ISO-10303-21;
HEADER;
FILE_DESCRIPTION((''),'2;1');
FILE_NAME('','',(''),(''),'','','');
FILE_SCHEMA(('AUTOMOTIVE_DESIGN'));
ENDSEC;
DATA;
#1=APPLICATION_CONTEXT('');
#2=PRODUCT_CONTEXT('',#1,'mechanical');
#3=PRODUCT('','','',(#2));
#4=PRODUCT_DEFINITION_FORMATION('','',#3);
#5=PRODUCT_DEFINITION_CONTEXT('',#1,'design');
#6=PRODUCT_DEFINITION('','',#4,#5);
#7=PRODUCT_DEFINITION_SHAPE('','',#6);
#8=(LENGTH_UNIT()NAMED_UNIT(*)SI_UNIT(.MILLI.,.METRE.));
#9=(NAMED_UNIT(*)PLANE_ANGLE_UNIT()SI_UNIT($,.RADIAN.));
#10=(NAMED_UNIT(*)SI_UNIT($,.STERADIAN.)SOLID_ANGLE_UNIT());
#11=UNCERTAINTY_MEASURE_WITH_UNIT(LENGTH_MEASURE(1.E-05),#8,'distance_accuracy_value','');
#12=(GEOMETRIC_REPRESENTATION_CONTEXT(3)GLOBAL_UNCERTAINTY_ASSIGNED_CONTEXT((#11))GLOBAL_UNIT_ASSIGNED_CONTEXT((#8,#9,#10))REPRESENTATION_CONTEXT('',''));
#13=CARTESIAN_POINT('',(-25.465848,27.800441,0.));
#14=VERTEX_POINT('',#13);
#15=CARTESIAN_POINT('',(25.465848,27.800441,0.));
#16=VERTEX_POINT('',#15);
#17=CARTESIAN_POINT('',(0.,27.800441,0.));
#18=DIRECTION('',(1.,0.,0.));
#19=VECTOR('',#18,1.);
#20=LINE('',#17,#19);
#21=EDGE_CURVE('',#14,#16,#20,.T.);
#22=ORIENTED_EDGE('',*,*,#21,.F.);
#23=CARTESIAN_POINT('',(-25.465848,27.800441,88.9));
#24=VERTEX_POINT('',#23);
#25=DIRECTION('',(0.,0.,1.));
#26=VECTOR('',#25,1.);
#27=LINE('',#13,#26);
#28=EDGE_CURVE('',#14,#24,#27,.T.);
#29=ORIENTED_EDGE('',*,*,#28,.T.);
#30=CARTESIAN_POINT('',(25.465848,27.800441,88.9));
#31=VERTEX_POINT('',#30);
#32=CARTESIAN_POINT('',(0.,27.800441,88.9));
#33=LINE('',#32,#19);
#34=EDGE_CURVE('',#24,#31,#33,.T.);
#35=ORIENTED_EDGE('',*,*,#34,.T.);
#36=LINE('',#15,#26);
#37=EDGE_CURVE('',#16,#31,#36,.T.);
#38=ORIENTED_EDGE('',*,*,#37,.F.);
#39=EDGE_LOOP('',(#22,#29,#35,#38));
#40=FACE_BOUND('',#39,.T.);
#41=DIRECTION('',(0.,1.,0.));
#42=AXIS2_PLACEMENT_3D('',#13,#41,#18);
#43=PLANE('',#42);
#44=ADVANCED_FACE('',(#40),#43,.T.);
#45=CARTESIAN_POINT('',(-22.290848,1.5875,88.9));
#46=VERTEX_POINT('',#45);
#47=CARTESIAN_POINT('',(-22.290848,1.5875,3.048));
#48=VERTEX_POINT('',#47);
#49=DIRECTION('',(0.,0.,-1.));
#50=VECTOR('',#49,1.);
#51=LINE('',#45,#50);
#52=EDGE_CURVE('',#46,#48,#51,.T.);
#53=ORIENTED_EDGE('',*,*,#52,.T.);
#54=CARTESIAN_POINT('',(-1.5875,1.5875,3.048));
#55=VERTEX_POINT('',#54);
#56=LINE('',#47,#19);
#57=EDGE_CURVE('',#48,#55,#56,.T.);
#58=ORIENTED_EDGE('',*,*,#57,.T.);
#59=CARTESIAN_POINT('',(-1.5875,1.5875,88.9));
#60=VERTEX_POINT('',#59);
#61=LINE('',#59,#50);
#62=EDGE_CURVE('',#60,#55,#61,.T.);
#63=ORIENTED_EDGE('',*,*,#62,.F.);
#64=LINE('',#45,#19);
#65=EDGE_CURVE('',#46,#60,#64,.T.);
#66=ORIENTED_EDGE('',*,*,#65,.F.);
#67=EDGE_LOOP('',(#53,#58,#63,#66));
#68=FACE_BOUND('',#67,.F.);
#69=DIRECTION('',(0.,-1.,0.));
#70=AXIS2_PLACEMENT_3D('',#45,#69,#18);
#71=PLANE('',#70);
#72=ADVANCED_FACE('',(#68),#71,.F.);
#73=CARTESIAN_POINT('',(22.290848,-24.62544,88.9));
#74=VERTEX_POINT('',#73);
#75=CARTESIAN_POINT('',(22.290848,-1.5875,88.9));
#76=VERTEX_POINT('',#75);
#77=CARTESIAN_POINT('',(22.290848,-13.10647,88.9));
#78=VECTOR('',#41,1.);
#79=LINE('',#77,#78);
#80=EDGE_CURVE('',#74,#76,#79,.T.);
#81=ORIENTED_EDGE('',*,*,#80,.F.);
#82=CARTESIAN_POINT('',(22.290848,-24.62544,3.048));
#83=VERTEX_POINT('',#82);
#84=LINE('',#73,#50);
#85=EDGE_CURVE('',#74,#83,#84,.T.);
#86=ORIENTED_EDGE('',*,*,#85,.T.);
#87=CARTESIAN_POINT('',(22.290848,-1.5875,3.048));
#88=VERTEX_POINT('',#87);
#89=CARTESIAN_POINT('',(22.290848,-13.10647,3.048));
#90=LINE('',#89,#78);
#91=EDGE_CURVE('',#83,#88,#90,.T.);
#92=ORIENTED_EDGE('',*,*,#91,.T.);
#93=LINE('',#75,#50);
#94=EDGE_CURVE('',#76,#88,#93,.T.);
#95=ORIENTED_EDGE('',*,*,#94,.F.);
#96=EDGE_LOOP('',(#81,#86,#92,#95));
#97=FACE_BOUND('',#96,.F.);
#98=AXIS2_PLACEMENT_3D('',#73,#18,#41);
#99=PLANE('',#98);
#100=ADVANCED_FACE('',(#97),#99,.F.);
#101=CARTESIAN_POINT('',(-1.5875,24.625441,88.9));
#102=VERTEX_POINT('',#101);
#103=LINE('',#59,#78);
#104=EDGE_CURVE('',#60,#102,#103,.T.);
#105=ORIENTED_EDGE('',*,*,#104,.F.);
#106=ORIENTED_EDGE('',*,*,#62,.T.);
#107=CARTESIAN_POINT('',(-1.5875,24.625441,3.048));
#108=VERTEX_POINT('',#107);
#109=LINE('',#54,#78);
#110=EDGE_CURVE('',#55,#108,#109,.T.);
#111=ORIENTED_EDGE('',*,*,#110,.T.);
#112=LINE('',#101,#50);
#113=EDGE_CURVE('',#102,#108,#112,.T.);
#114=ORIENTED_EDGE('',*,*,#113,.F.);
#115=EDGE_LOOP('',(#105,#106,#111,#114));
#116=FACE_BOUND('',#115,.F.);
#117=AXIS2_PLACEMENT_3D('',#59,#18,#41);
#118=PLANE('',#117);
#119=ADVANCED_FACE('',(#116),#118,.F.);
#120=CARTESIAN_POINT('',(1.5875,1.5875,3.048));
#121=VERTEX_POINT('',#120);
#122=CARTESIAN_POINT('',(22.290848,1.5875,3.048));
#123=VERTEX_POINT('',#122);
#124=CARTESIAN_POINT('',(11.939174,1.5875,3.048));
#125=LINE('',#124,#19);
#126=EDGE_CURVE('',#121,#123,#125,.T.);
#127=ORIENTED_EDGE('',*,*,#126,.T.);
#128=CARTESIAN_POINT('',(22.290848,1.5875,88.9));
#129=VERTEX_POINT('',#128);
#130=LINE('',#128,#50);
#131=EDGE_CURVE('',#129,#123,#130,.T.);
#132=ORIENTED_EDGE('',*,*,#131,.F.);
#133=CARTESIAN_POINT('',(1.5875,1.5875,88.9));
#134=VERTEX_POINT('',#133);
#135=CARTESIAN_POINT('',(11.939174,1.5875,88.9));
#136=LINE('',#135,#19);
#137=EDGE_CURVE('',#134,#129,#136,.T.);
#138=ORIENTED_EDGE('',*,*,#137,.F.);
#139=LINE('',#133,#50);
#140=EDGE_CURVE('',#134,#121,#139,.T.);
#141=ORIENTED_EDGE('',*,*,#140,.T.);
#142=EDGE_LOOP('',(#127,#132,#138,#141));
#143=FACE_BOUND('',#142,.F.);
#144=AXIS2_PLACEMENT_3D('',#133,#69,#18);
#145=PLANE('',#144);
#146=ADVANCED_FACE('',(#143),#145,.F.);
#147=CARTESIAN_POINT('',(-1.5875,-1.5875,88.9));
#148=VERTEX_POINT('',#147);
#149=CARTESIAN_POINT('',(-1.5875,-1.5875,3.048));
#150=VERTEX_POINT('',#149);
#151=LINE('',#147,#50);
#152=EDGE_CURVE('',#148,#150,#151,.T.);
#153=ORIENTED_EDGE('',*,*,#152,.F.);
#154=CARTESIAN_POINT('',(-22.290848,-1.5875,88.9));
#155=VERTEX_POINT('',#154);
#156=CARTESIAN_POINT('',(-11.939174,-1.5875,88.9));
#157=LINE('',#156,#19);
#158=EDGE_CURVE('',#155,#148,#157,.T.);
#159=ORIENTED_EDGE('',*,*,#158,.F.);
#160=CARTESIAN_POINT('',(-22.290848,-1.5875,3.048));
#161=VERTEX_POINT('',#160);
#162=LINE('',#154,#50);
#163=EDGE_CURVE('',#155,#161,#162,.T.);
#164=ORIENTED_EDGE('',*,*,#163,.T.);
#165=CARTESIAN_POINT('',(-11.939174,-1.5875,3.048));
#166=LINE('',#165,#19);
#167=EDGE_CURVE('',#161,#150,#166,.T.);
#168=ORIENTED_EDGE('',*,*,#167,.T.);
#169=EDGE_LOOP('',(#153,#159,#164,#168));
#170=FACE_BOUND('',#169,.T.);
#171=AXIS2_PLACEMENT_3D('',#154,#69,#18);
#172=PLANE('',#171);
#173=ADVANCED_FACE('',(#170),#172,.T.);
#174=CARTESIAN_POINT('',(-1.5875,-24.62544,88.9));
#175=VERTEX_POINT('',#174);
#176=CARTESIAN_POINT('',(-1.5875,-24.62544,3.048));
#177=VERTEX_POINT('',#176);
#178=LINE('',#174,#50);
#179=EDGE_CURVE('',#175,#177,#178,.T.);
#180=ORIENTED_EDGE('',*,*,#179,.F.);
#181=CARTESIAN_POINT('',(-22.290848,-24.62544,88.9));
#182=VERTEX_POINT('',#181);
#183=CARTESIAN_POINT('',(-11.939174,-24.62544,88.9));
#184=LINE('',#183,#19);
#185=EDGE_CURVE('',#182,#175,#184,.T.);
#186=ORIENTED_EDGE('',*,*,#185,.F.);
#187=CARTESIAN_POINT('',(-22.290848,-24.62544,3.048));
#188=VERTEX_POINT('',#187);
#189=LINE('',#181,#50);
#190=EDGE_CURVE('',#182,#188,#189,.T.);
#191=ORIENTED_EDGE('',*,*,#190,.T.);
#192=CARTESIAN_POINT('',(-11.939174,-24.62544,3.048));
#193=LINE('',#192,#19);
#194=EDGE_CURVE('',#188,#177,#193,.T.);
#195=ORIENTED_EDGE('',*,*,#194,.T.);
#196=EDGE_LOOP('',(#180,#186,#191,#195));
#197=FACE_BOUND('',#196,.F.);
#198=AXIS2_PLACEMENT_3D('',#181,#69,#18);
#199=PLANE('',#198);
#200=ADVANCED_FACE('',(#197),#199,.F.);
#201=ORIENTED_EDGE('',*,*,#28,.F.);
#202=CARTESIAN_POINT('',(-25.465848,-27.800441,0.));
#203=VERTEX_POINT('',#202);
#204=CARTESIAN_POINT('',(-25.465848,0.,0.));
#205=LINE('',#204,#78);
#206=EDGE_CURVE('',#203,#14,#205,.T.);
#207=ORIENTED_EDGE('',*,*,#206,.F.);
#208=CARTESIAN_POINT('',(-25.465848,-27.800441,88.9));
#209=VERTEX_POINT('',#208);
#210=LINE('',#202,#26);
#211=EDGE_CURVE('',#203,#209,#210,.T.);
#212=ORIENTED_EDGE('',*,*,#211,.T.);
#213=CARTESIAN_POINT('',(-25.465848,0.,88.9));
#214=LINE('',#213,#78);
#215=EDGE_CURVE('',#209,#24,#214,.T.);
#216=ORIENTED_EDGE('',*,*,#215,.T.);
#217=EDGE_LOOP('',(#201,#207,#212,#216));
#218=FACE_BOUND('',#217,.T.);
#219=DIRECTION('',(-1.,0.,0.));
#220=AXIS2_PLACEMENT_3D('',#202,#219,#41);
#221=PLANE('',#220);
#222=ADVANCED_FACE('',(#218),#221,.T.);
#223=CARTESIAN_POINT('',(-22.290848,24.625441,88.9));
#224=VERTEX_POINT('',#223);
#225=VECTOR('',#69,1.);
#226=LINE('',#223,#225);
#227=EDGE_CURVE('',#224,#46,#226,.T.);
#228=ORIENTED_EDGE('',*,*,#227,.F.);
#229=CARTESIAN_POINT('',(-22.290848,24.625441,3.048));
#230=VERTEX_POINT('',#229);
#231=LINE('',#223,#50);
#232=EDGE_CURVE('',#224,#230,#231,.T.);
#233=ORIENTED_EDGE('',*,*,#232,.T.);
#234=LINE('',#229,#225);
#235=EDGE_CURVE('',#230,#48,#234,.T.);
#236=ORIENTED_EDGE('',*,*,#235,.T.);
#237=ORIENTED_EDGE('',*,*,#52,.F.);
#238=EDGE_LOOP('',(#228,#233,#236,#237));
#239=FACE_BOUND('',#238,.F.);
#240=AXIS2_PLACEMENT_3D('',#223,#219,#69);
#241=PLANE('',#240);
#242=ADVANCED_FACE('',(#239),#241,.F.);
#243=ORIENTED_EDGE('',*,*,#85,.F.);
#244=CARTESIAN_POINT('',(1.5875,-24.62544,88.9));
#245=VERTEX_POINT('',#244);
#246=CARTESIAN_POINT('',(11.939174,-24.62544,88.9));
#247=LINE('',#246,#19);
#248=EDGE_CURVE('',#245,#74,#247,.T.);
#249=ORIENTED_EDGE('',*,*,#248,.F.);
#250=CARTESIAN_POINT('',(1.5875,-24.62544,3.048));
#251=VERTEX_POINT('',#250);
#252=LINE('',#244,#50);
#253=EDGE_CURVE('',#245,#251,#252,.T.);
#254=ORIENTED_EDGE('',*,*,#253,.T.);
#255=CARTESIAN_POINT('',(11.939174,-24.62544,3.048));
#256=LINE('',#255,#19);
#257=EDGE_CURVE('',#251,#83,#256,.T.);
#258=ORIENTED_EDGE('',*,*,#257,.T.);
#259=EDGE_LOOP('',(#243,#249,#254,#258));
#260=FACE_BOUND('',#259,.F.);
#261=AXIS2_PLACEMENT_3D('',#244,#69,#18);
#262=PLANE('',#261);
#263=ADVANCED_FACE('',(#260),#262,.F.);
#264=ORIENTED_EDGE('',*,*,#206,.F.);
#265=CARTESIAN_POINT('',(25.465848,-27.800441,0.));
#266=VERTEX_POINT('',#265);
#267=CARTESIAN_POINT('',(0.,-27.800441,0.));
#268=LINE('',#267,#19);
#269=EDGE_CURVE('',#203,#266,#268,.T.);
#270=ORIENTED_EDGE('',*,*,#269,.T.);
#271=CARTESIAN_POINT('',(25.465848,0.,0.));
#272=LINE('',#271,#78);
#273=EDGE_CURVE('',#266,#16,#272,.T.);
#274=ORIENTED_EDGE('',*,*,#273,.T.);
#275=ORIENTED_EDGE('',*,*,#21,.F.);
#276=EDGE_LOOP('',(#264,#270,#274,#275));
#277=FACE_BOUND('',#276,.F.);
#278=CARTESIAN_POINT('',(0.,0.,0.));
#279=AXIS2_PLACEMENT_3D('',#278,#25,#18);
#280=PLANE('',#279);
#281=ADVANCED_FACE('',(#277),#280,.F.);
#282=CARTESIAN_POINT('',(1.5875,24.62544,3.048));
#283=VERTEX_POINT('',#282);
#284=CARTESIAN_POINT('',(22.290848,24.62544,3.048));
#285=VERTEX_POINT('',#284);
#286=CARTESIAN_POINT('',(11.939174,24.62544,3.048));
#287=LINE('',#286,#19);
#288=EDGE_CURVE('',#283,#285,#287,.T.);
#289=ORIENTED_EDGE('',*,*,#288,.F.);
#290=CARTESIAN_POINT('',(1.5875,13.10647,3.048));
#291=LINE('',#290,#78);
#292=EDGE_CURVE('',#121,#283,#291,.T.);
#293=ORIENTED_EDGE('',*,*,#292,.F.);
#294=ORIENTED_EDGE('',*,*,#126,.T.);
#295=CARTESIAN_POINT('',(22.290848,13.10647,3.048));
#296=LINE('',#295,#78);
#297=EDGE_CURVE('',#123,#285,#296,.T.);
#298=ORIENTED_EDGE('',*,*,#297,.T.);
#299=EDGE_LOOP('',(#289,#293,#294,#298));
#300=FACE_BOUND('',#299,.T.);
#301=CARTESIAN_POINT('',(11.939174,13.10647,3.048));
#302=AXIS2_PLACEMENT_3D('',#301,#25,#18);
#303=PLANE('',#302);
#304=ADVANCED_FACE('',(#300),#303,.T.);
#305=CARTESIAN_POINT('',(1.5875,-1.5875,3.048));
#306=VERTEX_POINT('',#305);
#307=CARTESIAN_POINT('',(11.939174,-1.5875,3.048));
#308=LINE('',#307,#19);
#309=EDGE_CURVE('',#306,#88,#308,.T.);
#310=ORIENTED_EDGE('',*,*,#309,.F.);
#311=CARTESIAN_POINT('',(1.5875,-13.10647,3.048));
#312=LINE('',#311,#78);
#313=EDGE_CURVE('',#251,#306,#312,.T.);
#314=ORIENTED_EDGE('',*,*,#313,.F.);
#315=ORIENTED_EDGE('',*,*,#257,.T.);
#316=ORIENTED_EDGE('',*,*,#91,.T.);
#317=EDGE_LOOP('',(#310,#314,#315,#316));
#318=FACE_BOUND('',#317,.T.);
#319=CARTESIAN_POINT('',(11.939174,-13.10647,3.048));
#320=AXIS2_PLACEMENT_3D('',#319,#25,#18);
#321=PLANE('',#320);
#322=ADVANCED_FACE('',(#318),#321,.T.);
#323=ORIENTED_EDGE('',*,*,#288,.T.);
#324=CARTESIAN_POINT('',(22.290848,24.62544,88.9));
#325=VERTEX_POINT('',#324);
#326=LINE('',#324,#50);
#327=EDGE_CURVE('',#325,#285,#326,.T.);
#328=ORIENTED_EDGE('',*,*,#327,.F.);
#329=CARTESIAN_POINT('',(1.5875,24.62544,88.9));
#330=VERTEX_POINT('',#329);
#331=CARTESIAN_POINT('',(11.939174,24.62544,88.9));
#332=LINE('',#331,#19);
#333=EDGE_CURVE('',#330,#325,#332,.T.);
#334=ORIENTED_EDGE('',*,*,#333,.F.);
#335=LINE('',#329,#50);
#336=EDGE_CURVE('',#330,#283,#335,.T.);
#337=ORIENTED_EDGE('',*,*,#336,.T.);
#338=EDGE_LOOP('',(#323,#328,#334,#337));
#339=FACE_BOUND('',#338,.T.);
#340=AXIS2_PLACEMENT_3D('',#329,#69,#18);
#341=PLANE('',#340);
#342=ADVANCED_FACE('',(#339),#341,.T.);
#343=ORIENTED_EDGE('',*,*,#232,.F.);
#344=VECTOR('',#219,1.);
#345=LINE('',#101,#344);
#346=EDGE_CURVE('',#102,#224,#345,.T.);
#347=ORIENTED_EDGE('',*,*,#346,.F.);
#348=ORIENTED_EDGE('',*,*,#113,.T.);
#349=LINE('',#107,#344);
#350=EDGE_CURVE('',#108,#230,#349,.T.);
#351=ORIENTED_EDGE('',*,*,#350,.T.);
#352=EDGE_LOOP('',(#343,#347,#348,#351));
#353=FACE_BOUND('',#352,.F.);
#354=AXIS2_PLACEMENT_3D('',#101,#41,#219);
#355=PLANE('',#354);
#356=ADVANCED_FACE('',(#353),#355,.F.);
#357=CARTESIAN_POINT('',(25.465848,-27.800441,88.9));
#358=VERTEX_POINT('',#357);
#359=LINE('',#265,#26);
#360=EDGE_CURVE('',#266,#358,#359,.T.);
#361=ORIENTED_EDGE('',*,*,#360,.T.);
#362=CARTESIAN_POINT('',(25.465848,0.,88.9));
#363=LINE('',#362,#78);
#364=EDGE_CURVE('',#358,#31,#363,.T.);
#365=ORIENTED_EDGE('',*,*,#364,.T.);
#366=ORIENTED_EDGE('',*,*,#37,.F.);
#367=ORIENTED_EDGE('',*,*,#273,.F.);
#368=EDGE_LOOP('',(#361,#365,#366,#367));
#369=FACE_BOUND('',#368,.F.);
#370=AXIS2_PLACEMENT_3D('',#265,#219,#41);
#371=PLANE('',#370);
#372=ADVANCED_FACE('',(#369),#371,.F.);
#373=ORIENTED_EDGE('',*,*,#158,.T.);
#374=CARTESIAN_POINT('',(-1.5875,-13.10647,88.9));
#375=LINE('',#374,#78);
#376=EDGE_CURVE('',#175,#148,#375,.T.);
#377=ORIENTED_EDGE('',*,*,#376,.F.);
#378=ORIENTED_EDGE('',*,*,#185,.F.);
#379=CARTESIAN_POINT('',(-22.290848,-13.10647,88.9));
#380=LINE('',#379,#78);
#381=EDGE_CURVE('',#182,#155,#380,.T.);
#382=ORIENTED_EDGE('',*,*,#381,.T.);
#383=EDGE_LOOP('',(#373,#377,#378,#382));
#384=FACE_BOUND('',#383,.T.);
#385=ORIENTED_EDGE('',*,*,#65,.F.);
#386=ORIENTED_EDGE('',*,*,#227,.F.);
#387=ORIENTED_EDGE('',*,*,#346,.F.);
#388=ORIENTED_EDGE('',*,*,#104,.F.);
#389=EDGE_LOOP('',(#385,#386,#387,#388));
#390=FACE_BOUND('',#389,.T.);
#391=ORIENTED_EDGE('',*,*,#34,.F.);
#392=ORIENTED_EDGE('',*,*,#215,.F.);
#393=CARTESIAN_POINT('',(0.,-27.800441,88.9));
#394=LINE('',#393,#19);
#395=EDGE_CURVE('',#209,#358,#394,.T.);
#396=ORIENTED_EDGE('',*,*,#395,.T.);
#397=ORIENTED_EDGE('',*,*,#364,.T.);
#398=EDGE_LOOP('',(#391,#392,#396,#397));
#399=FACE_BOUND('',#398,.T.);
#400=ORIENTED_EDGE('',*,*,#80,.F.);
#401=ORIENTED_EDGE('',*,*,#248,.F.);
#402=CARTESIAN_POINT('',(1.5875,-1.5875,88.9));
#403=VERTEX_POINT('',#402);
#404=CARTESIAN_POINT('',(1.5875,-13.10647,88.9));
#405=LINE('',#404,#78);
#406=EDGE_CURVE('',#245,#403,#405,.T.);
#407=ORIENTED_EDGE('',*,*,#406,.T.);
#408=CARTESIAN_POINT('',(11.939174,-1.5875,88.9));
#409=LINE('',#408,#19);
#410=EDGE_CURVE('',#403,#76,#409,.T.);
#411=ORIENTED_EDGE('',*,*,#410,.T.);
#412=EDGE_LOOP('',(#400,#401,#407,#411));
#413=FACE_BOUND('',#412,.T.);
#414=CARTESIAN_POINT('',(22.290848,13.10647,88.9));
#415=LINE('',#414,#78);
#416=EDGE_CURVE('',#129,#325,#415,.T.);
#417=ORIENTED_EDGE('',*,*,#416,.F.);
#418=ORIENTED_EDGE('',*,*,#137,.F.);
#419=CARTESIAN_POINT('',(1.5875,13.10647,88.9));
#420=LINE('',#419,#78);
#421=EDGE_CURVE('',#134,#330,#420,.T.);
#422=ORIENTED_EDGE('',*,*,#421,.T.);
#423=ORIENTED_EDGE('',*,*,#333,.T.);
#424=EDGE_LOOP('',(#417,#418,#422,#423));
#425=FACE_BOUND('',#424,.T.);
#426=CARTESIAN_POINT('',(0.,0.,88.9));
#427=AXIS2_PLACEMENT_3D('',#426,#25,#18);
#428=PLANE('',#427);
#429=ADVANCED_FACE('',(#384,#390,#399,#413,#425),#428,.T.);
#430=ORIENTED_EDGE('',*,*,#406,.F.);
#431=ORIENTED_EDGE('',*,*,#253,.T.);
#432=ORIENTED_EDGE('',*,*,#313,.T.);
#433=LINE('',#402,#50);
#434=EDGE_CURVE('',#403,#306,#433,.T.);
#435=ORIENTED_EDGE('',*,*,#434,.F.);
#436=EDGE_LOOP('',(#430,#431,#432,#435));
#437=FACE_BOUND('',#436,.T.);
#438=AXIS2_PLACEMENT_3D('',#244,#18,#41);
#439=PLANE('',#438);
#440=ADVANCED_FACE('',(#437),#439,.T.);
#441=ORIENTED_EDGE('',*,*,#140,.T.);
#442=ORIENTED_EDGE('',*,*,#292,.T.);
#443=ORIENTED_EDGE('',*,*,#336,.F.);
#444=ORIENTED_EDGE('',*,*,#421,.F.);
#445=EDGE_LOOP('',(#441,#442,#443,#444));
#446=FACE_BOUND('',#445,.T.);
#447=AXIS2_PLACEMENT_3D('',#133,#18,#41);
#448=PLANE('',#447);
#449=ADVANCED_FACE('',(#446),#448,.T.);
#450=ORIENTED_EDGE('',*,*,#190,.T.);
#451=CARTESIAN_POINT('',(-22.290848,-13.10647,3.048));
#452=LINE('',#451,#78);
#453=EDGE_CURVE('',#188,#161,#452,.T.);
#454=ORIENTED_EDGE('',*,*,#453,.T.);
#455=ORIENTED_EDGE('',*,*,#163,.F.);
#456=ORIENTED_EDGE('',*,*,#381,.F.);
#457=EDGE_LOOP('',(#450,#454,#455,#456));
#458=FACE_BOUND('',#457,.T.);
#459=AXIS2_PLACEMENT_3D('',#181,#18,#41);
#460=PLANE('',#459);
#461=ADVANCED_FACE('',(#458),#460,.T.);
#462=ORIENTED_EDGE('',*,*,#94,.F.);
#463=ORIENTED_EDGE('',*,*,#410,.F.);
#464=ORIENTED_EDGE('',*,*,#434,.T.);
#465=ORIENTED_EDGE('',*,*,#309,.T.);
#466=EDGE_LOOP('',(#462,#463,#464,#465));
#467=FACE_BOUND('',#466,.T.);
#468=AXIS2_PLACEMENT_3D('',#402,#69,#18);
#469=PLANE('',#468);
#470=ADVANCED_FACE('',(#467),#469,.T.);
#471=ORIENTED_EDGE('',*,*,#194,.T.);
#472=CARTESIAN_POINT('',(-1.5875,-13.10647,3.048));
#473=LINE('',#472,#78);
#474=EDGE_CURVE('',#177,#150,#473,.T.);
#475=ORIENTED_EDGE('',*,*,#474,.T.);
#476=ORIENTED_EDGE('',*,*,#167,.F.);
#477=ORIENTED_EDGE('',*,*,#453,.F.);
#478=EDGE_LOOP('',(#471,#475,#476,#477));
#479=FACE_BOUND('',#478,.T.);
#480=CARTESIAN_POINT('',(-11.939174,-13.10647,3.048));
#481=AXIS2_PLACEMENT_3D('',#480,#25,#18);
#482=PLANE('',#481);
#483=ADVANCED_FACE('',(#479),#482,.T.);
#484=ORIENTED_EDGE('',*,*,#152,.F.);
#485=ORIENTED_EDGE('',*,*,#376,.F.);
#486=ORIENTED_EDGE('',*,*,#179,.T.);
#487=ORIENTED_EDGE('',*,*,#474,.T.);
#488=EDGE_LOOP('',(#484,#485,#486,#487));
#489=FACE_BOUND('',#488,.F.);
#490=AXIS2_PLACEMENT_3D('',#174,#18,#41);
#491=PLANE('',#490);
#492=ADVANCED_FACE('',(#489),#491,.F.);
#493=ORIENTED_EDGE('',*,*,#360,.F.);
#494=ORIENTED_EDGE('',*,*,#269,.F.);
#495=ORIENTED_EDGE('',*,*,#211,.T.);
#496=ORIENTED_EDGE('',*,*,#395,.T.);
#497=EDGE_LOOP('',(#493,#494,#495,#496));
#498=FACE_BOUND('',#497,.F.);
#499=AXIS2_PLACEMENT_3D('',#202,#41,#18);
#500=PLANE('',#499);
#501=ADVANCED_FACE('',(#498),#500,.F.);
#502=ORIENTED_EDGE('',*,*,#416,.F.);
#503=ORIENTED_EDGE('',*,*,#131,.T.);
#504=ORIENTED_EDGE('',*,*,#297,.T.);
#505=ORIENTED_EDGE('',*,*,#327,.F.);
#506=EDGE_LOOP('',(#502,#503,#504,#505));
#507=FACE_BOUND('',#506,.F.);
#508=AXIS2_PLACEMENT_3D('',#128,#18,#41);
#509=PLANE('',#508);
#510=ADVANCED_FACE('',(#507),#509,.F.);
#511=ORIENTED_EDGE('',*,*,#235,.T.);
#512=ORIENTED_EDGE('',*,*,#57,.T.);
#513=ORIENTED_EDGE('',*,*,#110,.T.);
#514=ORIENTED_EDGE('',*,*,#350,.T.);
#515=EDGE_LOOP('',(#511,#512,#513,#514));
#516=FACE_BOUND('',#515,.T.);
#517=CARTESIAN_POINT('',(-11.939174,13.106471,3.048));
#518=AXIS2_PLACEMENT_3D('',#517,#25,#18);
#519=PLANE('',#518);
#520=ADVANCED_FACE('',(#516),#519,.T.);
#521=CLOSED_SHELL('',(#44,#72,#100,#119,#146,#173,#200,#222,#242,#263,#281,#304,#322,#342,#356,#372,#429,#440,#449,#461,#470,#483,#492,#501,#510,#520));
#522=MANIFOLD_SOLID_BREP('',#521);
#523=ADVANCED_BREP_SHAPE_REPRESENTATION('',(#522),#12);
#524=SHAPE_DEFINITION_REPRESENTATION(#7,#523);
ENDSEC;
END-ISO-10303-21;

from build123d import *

# Parameters (mm, degrees)
F0_W     = 50.931696
F0_H     = 55.600882
F1_DEPTH = 88.9
F2_W     = 20.703348
F2_H     = 23.037941
F3_DEPTH = 85.852


with BuildPart() as f1:
    # F0 (on Top) → F1 (new body)
    with BuildSketch(Plane.XY):
        Rectangle(F0_W, F0_H)
    extrude(amount=F1_DEPTH)

    # F2 (on face) → F3 (cut)
    with BuildSketch(Plane.XY.offset(88.9)):
        Polygon((-22.290848, 23.611975), (-22.290848, 1.5875), (-1.5875, 1.5875), (-1.5875, 24.625441), (-20.838022, 24.625441), (-22.290848, 24.625441), align=None)
        with Locations((-11.939174, -13.10647)):
            Rectangle(F2_W, F2_H)
        with Locations((11.939174, -13.10647)):
            Rectangle(F2_W, F2_H)
        with Locations((11.939174, 13.10647)):
            Rectangle(F2_W, F2_H)
    extrude(amount=-F3_DEPTH, mode=Mode.SUBTRACT)


solid = f1.part
